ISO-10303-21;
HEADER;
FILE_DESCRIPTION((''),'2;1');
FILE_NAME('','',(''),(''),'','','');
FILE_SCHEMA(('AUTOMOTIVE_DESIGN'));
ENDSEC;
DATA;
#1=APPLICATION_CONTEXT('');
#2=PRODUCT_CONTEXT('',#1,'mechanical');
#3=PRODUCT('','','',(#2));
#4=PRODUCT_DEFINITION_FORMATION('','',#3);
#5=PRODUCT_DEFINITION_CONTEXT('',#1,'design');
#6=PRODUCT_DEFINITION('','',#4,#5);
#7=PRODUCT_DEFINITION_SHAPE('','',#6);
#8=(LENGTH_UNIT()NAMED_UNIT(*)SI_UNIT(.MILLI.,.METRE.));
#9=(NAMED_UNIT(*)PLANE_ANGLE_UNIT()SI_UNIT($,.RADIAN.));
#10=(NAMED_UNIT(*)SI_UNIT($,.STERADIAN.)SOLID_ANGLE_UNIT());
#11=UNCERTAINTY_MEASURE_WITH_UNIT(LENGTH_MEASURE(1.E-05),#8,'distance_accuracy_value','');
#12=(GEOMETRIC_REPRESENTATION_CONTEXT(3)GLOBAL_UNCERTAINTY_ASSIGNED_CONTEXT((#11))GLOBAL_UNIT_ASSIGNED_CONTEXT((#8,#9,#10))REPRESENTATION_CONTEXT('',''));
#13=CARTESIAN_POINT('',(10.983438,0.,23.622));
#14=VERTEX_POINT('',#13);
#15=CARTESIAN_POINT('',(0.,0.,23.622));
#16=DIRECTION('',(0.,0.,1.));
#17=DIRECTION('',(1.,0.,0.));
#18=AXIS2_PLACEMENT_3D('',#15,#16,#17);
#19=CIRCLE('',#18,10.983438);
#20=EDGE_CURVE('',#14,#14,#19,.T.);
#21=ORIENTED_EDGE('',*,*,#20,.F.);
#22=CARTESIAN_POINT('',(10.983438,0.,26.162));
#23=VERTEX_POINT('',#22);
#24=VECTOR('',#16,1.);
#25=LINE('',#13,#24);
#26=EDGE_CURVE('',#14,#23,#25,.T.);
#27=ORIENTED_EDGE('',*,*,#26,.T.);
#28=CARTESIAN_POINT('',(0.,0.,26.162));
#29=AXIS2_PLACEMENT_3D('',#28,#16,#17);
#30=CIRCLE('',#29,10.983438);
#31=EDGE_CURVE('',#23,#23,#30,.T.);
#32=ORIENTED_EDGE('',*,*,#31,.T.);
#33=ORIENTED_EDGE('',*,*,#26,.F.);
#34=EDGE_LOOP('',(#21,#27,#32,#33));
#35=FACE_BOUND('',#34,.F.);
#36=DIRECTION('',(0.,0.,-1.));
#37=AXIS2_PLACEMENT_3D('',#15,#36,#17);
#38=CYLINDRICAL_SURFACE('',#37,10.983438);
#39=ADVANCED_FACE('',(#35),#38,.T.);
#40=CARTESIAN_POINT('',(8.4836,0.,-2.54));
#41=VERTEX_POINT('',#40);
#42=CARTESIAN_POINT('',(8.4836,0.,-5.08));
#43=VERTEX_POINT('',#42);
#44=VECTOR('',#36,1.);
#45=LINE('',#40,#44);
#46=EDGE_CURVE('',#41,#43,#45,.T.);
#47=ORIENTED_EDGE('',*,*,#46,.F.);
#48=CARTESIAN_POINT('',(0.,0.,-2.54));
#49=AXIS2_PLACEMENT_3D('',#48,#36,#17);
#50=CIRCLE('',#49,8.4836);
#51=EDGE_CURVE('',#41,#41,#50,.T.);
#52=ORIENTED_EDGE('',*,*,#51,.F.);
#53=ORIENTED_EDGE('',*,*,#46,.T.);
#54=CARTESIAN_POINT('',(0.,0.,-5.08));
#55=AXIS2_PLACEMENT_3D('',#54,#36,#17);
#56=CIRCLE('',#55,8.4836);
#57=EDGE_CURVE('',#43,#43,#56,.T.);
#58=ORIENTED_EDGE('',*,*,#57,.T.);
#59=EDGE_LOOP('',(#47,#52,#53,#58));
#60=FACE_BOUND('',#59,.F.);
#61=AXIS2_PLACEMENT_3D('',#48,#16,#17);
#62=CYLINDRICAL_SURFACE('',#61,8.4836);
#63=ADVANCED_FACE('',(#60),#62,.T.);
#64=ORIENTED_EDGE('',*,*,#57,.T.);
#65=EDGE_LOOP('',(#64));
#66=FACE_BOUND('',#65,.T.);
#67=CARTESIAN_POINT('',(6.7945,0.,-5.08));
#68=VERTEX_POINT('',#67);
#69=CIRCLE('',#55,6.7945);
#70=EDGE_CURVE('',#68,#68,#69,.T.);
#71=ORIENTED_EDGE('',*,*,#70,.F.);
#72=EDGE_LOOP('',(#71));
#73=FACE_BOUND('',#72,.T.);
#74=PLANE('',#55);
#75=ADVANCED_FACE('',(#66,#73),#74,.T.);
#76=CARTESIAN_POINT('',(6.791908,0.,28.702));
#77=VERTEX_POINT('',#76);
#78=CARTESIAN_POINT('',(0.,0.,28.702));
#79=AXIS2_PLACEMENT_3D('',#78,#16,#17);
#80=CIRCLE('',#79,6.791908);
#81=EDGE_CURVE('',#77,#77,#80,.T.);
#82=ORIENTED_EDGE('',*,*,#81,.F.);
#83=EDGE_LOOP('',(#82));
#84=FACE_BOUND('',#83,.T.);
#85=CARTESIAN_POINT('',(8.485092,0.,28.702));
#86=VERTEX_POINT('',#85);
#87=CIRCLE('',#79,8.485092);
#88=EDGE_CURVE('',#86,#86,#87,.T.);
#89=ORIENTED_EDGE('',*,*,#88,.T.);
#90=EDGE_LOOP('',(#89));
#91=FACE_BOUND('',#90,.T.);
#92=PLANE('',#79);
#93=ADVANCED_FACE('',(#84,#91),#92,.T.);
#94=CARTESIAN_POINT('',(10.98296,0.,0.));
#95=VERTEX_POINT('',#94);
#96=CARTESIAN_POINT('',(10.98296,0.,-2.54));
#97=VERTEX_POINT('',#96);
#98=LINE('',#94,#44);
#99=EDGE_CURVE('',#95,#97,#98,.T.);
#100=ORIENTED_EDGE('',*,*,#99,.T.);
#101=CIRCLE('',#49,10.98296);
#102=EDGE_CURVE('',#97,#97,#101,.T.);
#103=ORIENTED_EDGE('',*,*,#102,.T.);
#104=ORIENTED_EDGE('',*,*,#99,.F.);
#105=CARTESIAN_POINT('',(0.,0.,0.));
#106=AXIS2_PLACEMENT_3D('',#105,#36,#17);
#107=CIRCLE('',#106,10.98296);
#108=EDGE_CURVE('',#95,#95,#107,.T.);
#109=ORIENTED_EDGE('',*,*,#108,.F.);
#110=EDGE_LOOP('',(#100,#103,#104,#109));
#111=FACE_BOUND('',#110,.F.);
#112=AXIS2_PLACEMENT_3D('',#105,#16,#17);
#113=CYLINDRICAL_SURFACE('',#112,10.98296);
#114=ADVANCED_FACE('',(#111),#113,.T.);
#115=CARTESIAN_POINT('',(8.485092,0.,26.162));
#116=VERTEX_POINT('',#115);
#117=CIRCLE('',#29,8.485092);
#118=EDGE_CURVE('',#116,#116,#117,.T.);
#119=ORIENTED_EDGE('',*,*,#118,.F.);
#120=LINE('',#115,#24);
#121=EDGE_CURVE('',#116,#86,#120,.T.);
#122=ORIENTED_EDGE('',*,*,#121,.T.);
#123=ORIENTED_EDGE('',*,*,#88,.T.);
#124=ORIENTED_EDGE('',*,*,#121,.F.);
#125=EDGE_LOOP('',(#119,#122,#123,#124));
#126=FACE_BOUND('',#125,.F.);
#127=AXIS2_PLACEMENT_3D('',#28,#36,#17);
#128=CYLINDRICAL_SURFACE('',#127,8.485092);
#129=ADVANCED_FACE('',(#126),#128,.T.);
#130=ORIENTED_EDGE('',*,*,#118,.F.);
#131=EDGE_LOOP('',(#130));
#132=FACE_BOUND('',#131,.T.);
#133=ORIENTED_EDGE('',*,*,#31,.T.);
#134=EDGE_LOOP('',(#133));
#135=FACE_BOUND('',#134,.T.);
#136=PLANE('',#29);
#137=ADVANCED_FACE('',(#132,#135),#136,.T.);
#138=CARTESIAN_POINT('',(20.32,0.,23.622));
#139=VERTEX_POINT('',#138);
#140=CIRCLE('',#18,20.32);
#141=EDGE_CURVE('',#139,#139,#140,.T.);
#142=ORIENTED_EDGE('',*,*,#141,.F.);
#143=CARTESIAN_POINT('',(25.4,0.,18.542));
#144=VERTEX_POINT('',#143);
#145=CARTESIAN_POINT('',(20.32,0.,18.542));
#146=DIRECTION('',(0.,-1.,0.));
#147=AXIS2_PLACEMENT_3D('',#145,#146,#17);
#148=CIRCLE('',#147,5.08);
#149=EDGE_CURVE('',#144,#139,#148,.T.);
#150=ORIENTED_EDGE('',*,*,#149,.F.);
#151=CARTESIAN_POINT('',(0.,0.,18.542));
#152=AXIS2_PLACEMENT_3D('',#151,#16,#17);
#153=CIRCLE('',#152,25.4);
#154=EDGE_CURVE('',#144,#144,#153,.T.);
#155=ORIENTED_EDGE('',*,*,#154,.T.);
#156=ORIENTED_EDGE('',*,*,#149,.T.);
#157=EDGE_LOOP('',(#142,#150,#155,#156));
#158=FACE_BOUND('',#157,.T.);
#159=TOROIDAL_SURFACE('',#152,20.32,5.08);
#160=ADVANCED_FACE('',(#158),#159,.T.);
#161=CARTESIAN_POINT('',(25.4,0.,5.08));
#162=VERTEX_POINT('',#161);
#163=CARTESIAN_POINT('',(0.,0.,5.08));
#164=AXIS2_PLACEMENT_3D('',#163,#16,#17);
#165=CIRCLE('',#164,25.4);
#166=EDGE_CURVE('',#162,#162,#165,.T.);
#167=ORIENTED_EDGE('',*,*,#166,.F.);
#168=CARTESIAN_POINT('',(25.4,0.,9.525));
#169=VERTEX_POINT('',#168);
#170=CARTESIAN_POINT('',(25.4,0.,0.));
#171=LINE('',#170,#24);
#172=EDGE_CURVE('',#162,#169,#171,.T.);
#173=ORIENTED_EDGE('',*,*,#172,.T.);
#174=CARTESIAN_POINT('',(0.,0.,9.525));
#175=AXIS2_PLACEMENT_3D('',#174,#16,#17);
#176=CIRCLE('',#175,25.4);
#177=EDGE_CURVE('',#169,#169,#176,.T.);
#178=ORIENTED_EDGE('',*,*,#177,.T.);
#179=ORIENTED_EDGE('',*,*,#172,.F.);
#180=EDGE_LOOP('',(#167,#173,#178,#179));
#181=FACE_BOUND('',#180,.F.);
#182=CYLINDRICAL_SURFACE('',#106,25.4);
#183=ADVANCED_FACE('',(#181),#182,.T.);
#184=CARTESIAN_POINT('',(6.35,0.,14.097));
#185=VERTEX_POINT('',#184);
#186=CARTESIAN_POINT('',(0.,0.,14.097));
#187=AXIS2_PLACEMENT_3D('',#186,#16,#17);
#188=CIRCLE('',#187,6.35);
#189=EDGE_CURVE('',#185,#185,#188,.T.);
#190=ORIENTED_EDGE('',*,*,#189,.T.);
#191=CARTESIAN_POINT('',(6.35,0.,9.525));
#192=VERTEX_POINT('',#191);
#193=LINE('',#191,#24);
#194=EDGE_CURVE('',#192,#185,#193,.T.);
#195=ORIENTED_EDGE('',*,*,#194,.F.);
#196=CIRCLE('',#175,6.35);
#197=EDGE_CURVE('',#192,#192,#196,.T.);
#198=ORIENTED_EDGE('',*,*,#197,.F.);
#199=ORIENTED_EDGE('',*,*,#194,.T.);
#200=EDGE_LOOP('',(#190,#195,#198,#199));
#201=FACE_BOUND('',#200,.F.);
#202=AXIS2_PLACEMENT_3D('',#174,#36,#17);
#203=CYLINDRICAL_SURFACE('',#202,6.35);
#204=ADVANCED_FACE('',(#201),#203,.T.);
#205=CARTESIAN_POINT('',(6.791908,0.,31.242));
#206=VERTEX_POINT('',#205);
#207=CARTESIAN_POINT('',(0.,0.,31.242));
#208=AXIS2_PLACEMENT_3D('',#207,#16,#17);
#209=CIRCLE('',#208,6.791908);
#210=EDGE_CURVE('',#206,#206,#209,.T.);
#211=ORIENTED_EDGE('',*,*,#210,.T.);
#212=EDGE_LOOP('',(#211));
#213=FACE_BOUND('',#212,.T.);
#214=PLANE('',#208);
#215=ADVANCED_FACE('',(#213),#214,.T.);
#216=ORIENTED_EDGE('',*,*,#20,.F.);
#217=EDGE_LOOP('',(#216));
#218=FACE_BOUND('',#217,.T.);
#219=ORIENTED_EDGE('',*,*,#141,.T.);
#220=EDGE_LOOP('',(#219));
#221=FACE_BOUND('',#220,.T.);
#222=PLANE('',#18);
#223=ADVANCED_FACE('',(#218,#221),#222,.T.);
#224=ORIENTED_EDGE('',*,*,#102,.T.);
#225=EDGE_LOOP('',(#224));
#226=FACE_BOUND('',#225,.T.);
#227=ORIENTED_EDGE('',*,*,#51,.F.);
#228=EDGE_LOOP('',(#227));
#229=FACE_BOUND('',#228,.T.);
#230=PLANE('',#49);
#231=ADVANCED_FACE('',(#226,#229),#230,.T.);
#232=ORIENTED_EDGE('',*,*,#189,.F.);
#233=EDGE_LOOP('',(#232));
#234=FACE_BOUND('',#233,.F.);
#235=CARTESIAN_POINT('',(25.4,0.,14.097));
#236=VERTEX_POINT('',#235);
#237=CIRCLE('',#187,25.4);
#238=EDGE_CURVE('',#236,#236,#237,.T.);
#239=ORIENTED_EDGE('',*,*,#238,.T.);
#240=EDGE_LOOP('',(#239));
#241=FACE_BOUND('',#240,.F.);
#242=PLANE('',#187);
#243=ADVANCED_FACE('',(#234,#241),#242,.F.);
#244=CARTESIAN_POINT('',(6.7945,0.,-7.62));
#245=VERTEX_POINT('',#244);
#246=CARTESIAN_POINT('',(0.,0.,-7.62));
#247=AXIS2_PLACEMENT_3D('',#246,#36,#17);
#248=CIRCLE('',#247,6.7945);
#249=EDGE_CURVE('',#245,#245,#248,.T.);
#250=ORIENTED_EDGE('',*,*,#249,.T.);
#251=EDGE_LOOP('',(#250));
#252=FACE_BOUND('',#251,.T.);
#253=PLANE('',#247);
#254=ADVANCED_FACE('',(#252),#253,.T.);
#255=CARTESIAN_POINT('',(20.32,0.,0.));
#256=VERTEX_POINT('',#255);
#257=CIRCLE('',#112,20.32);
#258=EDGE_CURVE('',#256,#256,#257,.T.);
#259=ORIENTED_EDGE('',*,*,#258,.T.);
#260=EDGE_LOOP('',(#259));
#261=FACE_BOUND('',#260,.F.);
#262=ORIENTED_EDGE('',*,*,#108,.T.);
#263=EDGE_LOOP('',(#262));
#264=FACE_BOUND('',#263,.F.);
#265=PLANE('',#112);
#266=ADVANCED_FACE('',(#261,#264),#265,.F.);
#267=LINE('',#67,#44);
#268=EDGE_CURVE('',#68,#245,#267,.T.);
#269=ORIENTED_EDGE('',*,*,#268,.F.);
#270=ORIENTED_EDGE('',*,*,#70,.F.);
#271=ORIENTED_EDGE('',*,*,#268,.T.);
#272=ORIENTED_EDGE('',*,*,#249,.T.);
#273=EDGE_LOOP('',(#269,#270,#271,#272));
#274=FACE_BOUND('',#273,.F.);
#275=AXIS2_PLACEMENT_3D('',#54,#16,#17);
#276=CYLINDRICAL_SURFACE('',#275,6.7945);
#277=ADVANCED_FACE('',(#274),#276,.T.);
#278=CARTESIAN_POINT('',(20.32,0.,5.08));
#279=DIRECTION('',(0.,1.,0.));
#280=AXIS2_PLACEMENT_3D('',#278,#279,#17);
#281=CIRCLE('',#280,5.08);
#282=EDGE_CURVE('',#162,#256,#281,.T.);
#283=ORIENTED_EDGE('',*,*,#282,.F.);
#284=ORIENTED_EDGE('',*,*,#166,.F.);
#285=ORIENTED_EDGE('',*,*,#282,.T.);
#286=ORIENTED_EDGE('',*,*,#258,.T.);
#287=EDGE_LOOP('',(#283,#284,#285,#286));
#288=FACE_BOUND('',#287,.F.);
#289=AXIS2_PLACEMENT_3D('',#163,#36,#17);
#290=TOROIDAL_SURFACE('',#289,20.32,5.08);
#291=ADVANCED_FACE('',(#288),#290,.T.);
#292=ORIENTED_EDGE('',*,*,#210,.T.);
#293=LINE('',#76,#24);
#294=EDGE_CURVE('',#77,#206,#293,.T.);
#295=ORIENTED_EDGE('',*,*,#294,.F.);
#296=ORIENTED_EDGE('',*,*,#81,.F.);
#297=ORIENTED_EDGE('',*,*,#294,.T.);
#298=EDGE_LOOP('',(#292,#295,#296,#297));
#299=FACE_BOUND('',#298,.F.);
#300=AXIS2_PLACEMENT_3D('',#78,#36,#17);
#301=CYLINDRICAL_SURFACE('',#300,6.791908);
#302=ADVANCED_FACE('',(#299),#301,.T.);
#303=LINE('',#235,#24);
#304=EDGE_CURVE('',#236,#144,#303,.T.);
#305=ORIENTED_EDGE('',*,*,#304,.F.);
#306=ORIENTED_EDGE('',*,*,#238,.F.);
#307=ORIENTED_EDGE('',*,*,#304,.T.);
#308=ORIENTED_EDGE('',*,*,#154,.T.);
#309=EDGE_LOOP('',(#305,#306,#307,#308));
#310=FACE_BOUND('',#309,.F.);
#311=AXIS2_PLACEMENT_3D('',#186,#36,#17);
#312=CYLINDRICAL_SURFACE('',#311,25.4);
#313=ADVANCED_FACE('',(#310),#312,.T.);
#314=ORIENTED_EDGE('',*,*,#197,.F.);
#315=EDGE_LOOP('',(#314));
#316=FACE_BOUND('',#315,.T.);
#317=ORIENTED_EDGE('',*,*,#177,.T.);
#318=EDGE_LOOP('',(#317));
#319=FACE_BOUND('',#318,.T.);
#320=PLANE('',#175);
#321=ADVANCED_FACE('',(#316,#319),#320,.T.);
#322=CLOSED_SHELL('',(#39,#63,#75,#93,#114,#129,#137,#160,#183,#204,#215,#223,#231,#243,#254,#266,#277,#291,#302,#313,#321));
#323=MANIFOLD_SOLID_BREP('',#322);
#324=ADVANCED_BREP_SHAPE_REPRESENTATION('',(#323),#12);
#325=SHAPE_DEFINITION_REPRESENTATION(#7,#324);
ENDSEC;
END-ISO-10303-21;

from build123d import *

# Parameters (mm, degrees)
F0_R         = 25.4
F1_DEPTH     = 9.525
F2_R         = 6.35
F3_DEPTH     = 4.572
F4_R         = 25.4
F4_R_2       = 6.35
F5_DEPTH     = 9.525
F6_R         = 5.08
F7_R         = 10.9834381756
F8_DEPTH     = 2.54
F9_R         = 8.4850918215
F10_DEPTH    = 2.54
F11_R        = 6.7919077929
F12_DEPTH    = 2.54
F13_R        = 10.98296
F10_FACE_R   = 8.4850918215
F10_FACE_R_2 = 6.7919077929
F14_DEPTH    = 2.54
F15_R        = 8.4836
F16_DEPTH    = 2.54
F17_R        = 6.7945
F18_DEPTH    = 2.54


with BuildPart() as f1:
    # F0 (on Top) → F1 (new body)
    with BuildSketch(Plane.XY):
        Circle(F0_R)
    extrude(amount=F1_DEPTH)

    # F2 (on face) → F3 (join)
    with BuildSketch(Plane.XY.offset(9.525)):
        Circle(F2_R)
    extrude(amount=F3_DEPTH)

    # F0 (on Top) + F4 (on face) → F5 (join)
    with BuildSketch(Plane.XY):
        Circle(F0_R)
    with BuildSketch(Plane.XY.offset(14.097)):
        Circle(F4_R)
        Circle(F4_R_2, mode=Mode.SUBTRACT)
        Circle(F4_R_2)
    extrude(amount=F5_DEPTH)

    # F6
    f6_edges = [f1.edges().sort_by_distance(p)[0] for p in [
        (-25.4, 0, 23.622),
        (-25.4, 0, 0),
    ]]
    fillet(f6_edges, radius=F6_R)

    # F7 (on face) → F8 (join)
    with BuildSketch(Plane.XY.offset(23.622)):
        Circle(F7_R)
    extrude(amount=F8_DEPTH)

    # F9 (on face) → F10 (join)
    with BuildSketch(Plane.XY.offset(26.162)):
        Circle(F9_R)
    extrude(amount=F10_DEPTH)

    # F11 (on face) → F12 (join)
    with BuildSketch(Plane.XY.offset(28.702)):
        Circle(F11_R)
    extrude(amount=F12_DEPTH)

    # F13 (on face) + F10_face (on face) → F14 (join)
    with BuildSketch(Plane(origin=(0, 0, 0), x_dir=(1, 0, 0), z_dir=(0, 0, -1))):
        Circle(F13_R)
    with BuildSketch(Plane.XY.offset(28.702)):
        Circle(F10_FACE_R)
        Circle(F10_FACE_R_2, mode=Mode.SUBTRACT)
    extrude(amount=F14_DEPTH, dir=(0, 0, -1))

    # F15 (on face) → F16 (join)
    with BuildSketch(Plane(origin=(0, 0, -2.54), x_dir=(1, 0, 0), z_dir=(0, 0, -1))):
        Circle(F15_R)
    extrude(amount=F16_DEPTH)

    # F17 (on face) → F18 (join)
    with BuildSketch(Plane(origin=(0, 0, -5.08), x_dir=(1, 0, 0), z_dir=(0, 0, -1))):
        Circle(F17_R)
    extrude(amount=F18_DEPTH)


solid = f1.part
